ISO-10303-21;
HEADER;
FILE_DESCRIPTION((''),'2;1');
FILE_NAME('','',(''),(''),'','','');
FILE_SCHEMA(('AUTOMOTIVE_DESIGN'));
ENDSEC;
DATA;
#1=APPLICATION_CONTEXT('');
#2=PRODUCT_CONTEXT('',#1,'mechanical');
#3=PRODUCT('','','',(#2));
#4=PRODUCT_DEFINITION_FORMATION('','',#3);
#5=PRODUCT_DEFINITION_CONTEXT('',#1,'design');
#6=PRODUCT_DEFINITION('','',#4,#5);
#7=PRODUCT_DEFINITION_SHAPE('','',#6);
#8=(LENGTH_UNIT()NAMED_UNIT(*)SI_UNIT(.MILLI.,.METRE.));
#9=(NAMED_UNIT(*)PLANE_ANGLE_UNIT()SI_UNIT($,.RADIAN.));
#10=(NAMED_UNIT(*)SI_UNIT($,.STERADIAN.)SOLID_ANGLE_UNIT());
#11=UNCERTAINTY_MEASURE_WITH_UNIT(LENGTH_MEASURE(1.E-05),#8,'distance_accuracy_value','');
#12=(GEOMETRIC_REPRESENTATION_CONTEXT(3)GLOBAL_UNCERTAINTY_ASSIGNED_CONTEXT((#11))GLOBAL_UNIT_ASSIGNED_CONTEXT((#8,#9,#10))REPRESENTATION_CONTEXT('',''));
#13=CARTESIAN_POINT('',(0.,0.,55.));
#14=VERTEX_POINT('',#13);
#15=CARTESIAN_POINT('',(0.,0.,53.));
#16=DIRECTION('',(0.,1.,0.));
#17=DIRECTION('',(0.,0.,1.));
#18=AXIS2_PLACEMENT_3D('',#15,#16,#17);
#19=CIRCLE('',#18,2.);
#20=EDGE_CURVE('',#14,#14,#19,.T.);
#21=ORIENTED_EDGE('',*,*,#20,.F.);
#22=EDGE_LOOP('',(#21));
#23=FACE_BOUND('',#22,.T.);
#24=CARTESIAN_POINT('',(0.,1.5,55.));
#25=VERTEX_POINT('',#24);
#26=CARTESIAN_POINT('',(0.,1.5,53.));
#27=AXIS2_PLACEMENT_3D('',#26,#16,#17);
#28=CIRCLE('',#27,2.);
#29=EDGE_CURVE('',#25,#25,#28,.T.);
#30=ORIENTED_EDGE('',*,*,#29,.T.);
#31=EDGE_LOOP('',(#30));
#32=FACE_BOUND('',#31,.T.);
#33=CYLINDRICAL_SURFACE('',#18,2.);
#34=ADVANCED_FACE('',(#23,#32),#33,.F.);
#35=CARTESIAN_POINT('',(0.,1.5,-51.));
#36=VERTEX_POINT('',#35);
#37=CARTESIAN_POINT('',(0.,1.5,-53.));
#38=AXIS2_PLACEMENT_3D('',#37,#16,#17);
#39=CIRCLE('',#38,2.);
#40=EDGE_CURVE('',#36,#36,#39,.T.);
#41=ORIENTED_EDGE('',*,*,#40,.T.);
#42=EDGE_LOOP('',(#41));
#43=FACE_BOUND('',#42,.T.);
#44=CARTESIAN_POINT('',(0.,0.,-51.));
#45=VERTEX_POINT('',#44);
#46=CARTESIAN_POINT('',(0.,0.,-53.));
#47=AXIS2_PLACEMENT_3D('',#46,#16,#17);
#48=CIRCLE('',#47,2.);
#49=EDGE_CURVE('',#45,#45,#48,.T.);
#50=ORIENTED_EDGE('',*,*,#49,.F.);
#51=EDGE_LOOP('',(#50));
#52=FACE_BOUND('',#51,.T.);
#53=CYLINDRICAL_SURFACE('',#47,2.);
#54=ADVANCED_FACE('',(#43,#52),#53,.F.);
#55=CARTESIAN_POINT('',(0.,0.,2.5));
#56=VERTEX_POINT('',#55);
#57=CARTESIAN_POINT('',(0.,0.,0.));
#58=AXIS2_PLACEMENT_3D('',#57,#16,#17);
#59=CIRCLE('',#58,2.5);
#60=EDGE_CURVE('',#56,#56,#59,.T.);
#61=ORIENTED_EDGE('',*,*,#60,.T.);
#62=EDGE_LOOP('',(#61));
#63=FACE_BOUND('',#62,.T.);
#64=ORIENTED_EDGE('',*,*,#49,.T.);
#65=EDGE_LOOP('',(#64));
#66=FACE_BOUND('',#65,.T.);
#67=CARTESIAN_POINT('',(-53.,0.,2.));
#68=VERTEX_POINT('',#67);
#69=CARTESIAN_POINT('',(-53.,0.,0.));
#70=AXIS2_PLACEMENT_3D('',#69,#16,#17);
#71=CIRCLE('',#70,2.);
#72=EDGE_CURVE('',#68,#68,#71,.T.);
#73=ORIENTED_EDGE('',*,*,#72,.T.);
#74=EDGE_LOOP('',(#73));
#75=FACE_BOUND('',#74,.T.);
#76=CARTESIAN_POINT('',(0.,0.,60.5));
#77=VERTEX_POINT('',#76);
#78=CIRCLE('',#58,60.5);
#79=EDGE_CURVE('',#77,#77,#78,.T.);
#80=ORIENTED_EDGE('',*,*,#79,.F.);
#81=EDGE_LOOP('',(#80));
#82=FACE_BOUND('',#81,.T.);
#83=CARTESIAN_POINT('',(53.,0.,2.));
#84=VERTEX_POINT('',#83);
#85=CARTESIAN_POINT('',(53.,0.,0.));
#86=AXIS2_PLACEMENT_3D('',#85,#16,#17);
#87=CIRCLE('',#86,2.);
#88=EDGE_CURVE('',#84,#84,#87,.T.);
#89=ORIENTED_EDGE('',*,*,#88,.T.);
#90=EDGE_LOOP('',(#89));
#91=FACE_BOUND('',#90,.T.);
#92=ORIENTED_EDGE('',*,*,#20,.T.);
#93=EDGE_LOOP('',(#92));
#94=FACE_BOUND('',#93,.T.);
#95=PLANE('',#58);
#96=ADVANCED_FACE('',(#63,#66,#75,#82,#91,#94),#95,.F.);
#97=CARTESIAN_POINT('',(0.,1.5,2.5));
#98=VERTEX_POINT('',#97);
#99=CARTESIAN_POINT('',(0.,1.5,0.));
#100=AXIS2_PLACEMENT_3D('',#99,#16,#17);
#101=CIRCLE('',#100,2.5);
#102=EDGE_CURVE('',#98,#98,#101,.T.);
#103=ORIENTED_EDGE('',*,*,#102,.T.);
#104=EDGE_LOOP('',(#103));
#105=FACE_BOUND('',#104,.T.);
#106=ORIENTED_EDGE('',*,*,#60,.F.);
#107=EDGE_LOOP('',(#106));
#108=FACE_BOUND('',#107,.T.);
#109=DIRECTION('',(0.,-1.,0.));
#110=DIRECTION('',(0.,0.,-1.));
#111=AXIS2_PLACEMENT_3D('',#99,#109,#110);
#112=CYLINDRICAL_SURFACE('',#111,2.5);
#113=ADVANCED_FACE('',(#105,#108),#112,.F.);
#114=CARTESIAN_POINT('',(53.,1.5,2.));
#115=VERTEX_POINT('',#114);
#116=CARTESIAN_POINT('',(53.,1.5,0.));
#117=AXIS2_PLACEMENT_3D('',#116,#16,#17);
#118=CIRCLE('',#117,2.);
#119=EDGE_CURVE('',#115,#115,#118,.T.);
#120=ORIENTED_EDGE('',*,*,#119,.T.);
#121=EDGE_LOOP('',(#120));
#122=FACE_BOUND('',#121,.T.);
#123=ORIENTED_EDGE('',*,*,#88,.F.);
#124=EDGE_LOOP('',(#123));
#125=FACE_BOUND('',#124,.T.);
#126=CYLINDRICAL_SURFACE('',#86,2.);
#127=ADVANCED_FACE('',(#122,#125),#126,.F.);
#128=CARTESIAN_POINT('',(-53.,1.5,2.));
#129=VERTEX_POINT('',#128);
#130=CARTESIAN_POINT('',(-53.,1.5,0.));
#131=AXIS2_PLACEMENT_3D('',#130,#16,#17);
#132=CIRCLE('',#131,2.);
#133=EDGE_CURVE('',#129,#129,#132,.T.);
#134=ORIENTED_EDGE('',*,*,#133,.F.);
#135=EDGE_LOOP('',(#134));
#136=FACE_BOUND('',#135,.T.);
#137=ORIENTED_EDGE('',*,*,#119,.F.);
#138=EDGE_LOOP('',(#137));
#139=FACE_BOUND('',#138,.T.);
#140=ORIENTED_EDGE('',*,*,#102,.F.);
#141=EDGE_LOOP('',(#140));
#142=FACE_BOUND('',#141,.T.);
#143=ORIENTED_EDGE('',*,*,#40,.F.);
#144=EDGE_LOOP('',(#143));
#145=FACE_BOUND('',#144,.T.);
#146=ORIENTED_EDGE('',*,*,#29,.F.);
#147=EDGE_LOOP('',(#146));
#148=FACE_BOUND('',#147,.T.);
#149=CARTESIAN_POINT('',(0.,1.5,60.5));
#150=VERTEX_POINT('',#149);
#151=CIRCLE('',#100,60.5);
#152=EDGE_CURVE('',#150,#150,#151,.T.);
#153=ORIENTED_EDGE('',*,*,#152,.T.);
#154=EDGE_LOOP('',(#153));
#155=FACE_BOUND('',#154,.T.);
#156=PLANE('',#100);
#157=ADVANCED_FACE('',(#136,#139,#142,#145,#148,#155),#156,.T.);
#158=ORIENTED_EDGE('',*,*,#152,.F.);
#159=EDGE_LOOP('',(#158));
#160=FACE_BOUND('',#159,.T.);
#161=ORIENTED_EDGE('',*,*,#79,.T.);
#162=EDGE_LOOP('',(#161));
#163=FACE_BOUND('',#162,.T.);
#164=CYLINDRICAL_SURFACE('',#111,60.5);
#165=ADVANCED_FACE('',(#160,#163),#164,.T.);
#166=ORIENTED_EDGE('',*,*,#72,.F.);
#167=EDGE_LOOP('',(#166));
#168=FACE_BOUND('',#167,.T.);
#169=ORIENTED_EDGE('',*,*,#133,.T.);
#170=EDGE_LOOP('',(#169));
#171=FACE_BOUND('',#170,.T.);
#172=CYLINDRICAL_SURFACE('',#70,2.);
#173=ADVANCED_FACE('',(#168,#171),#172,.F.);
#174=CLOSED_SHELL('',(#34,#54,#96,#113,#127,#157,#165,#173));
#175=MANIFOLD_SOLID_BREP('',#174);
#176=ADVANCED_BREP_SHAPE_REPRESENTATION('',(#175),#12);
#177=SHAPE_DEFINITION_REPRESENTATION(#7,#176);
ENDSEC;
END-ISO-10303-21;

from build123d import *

# Parameters (mm, degrees)
SKETCH1_R           = 60.5
SKETCH1_R_2         = 2.5
BOSS_EXTRUDE1_DEPTH = 1.5
SKETCH2_R           = 2
CUT_EXTRUDE1_DEPTH  = 86.573068193


with BuildPart() as part:
    # Sketch1 → Boss-Extrude1 (new body)
    with BuildSketch(Plane(origin=(0, 0, 0), x_dir=(1, 0, 0), z_dir=(0, 1, 0))):
        with Locations(Location((0, 0, 0), (0, 0, 270))):
            Circle(SKETCH1_R)
        with Locations(Location((0, 0, 0), (0, 0, 270))):
            Circle(SKETCH1_R_2, mode=Mode.SUBTRACT)
    extrude(amount=BOSS_EXTRUDE1_DEPTH)

    # Sketch2 → Cut-Extrude1 (cut, through all)
    with BuildSketch(Plane(origin=(0, 1.5, 0), x_dir=(1, 0, 0), z_dir=(0, 1, 0))):
        with Locations(Location((0, 53, 0), (0, 0, 270))):
            Circle(SKETCH2_R)
        with Locations(Location((53, 0, 0), (0, 0, 270))):
            Circle(SKETCH2_R)
        with Locations(Location((0, -53, 0), (0, 0, 270))):
            Circle(SKETCH2_R)
        with Locations(Location((-53, 0, 0), (0, 0, 270))):
            Circle(SKETCH2_R)
    extrude(amount=-CUT_EXTRUDE1_DEPTH, mode=Mode.SUBTRACT)


solid = part.part
